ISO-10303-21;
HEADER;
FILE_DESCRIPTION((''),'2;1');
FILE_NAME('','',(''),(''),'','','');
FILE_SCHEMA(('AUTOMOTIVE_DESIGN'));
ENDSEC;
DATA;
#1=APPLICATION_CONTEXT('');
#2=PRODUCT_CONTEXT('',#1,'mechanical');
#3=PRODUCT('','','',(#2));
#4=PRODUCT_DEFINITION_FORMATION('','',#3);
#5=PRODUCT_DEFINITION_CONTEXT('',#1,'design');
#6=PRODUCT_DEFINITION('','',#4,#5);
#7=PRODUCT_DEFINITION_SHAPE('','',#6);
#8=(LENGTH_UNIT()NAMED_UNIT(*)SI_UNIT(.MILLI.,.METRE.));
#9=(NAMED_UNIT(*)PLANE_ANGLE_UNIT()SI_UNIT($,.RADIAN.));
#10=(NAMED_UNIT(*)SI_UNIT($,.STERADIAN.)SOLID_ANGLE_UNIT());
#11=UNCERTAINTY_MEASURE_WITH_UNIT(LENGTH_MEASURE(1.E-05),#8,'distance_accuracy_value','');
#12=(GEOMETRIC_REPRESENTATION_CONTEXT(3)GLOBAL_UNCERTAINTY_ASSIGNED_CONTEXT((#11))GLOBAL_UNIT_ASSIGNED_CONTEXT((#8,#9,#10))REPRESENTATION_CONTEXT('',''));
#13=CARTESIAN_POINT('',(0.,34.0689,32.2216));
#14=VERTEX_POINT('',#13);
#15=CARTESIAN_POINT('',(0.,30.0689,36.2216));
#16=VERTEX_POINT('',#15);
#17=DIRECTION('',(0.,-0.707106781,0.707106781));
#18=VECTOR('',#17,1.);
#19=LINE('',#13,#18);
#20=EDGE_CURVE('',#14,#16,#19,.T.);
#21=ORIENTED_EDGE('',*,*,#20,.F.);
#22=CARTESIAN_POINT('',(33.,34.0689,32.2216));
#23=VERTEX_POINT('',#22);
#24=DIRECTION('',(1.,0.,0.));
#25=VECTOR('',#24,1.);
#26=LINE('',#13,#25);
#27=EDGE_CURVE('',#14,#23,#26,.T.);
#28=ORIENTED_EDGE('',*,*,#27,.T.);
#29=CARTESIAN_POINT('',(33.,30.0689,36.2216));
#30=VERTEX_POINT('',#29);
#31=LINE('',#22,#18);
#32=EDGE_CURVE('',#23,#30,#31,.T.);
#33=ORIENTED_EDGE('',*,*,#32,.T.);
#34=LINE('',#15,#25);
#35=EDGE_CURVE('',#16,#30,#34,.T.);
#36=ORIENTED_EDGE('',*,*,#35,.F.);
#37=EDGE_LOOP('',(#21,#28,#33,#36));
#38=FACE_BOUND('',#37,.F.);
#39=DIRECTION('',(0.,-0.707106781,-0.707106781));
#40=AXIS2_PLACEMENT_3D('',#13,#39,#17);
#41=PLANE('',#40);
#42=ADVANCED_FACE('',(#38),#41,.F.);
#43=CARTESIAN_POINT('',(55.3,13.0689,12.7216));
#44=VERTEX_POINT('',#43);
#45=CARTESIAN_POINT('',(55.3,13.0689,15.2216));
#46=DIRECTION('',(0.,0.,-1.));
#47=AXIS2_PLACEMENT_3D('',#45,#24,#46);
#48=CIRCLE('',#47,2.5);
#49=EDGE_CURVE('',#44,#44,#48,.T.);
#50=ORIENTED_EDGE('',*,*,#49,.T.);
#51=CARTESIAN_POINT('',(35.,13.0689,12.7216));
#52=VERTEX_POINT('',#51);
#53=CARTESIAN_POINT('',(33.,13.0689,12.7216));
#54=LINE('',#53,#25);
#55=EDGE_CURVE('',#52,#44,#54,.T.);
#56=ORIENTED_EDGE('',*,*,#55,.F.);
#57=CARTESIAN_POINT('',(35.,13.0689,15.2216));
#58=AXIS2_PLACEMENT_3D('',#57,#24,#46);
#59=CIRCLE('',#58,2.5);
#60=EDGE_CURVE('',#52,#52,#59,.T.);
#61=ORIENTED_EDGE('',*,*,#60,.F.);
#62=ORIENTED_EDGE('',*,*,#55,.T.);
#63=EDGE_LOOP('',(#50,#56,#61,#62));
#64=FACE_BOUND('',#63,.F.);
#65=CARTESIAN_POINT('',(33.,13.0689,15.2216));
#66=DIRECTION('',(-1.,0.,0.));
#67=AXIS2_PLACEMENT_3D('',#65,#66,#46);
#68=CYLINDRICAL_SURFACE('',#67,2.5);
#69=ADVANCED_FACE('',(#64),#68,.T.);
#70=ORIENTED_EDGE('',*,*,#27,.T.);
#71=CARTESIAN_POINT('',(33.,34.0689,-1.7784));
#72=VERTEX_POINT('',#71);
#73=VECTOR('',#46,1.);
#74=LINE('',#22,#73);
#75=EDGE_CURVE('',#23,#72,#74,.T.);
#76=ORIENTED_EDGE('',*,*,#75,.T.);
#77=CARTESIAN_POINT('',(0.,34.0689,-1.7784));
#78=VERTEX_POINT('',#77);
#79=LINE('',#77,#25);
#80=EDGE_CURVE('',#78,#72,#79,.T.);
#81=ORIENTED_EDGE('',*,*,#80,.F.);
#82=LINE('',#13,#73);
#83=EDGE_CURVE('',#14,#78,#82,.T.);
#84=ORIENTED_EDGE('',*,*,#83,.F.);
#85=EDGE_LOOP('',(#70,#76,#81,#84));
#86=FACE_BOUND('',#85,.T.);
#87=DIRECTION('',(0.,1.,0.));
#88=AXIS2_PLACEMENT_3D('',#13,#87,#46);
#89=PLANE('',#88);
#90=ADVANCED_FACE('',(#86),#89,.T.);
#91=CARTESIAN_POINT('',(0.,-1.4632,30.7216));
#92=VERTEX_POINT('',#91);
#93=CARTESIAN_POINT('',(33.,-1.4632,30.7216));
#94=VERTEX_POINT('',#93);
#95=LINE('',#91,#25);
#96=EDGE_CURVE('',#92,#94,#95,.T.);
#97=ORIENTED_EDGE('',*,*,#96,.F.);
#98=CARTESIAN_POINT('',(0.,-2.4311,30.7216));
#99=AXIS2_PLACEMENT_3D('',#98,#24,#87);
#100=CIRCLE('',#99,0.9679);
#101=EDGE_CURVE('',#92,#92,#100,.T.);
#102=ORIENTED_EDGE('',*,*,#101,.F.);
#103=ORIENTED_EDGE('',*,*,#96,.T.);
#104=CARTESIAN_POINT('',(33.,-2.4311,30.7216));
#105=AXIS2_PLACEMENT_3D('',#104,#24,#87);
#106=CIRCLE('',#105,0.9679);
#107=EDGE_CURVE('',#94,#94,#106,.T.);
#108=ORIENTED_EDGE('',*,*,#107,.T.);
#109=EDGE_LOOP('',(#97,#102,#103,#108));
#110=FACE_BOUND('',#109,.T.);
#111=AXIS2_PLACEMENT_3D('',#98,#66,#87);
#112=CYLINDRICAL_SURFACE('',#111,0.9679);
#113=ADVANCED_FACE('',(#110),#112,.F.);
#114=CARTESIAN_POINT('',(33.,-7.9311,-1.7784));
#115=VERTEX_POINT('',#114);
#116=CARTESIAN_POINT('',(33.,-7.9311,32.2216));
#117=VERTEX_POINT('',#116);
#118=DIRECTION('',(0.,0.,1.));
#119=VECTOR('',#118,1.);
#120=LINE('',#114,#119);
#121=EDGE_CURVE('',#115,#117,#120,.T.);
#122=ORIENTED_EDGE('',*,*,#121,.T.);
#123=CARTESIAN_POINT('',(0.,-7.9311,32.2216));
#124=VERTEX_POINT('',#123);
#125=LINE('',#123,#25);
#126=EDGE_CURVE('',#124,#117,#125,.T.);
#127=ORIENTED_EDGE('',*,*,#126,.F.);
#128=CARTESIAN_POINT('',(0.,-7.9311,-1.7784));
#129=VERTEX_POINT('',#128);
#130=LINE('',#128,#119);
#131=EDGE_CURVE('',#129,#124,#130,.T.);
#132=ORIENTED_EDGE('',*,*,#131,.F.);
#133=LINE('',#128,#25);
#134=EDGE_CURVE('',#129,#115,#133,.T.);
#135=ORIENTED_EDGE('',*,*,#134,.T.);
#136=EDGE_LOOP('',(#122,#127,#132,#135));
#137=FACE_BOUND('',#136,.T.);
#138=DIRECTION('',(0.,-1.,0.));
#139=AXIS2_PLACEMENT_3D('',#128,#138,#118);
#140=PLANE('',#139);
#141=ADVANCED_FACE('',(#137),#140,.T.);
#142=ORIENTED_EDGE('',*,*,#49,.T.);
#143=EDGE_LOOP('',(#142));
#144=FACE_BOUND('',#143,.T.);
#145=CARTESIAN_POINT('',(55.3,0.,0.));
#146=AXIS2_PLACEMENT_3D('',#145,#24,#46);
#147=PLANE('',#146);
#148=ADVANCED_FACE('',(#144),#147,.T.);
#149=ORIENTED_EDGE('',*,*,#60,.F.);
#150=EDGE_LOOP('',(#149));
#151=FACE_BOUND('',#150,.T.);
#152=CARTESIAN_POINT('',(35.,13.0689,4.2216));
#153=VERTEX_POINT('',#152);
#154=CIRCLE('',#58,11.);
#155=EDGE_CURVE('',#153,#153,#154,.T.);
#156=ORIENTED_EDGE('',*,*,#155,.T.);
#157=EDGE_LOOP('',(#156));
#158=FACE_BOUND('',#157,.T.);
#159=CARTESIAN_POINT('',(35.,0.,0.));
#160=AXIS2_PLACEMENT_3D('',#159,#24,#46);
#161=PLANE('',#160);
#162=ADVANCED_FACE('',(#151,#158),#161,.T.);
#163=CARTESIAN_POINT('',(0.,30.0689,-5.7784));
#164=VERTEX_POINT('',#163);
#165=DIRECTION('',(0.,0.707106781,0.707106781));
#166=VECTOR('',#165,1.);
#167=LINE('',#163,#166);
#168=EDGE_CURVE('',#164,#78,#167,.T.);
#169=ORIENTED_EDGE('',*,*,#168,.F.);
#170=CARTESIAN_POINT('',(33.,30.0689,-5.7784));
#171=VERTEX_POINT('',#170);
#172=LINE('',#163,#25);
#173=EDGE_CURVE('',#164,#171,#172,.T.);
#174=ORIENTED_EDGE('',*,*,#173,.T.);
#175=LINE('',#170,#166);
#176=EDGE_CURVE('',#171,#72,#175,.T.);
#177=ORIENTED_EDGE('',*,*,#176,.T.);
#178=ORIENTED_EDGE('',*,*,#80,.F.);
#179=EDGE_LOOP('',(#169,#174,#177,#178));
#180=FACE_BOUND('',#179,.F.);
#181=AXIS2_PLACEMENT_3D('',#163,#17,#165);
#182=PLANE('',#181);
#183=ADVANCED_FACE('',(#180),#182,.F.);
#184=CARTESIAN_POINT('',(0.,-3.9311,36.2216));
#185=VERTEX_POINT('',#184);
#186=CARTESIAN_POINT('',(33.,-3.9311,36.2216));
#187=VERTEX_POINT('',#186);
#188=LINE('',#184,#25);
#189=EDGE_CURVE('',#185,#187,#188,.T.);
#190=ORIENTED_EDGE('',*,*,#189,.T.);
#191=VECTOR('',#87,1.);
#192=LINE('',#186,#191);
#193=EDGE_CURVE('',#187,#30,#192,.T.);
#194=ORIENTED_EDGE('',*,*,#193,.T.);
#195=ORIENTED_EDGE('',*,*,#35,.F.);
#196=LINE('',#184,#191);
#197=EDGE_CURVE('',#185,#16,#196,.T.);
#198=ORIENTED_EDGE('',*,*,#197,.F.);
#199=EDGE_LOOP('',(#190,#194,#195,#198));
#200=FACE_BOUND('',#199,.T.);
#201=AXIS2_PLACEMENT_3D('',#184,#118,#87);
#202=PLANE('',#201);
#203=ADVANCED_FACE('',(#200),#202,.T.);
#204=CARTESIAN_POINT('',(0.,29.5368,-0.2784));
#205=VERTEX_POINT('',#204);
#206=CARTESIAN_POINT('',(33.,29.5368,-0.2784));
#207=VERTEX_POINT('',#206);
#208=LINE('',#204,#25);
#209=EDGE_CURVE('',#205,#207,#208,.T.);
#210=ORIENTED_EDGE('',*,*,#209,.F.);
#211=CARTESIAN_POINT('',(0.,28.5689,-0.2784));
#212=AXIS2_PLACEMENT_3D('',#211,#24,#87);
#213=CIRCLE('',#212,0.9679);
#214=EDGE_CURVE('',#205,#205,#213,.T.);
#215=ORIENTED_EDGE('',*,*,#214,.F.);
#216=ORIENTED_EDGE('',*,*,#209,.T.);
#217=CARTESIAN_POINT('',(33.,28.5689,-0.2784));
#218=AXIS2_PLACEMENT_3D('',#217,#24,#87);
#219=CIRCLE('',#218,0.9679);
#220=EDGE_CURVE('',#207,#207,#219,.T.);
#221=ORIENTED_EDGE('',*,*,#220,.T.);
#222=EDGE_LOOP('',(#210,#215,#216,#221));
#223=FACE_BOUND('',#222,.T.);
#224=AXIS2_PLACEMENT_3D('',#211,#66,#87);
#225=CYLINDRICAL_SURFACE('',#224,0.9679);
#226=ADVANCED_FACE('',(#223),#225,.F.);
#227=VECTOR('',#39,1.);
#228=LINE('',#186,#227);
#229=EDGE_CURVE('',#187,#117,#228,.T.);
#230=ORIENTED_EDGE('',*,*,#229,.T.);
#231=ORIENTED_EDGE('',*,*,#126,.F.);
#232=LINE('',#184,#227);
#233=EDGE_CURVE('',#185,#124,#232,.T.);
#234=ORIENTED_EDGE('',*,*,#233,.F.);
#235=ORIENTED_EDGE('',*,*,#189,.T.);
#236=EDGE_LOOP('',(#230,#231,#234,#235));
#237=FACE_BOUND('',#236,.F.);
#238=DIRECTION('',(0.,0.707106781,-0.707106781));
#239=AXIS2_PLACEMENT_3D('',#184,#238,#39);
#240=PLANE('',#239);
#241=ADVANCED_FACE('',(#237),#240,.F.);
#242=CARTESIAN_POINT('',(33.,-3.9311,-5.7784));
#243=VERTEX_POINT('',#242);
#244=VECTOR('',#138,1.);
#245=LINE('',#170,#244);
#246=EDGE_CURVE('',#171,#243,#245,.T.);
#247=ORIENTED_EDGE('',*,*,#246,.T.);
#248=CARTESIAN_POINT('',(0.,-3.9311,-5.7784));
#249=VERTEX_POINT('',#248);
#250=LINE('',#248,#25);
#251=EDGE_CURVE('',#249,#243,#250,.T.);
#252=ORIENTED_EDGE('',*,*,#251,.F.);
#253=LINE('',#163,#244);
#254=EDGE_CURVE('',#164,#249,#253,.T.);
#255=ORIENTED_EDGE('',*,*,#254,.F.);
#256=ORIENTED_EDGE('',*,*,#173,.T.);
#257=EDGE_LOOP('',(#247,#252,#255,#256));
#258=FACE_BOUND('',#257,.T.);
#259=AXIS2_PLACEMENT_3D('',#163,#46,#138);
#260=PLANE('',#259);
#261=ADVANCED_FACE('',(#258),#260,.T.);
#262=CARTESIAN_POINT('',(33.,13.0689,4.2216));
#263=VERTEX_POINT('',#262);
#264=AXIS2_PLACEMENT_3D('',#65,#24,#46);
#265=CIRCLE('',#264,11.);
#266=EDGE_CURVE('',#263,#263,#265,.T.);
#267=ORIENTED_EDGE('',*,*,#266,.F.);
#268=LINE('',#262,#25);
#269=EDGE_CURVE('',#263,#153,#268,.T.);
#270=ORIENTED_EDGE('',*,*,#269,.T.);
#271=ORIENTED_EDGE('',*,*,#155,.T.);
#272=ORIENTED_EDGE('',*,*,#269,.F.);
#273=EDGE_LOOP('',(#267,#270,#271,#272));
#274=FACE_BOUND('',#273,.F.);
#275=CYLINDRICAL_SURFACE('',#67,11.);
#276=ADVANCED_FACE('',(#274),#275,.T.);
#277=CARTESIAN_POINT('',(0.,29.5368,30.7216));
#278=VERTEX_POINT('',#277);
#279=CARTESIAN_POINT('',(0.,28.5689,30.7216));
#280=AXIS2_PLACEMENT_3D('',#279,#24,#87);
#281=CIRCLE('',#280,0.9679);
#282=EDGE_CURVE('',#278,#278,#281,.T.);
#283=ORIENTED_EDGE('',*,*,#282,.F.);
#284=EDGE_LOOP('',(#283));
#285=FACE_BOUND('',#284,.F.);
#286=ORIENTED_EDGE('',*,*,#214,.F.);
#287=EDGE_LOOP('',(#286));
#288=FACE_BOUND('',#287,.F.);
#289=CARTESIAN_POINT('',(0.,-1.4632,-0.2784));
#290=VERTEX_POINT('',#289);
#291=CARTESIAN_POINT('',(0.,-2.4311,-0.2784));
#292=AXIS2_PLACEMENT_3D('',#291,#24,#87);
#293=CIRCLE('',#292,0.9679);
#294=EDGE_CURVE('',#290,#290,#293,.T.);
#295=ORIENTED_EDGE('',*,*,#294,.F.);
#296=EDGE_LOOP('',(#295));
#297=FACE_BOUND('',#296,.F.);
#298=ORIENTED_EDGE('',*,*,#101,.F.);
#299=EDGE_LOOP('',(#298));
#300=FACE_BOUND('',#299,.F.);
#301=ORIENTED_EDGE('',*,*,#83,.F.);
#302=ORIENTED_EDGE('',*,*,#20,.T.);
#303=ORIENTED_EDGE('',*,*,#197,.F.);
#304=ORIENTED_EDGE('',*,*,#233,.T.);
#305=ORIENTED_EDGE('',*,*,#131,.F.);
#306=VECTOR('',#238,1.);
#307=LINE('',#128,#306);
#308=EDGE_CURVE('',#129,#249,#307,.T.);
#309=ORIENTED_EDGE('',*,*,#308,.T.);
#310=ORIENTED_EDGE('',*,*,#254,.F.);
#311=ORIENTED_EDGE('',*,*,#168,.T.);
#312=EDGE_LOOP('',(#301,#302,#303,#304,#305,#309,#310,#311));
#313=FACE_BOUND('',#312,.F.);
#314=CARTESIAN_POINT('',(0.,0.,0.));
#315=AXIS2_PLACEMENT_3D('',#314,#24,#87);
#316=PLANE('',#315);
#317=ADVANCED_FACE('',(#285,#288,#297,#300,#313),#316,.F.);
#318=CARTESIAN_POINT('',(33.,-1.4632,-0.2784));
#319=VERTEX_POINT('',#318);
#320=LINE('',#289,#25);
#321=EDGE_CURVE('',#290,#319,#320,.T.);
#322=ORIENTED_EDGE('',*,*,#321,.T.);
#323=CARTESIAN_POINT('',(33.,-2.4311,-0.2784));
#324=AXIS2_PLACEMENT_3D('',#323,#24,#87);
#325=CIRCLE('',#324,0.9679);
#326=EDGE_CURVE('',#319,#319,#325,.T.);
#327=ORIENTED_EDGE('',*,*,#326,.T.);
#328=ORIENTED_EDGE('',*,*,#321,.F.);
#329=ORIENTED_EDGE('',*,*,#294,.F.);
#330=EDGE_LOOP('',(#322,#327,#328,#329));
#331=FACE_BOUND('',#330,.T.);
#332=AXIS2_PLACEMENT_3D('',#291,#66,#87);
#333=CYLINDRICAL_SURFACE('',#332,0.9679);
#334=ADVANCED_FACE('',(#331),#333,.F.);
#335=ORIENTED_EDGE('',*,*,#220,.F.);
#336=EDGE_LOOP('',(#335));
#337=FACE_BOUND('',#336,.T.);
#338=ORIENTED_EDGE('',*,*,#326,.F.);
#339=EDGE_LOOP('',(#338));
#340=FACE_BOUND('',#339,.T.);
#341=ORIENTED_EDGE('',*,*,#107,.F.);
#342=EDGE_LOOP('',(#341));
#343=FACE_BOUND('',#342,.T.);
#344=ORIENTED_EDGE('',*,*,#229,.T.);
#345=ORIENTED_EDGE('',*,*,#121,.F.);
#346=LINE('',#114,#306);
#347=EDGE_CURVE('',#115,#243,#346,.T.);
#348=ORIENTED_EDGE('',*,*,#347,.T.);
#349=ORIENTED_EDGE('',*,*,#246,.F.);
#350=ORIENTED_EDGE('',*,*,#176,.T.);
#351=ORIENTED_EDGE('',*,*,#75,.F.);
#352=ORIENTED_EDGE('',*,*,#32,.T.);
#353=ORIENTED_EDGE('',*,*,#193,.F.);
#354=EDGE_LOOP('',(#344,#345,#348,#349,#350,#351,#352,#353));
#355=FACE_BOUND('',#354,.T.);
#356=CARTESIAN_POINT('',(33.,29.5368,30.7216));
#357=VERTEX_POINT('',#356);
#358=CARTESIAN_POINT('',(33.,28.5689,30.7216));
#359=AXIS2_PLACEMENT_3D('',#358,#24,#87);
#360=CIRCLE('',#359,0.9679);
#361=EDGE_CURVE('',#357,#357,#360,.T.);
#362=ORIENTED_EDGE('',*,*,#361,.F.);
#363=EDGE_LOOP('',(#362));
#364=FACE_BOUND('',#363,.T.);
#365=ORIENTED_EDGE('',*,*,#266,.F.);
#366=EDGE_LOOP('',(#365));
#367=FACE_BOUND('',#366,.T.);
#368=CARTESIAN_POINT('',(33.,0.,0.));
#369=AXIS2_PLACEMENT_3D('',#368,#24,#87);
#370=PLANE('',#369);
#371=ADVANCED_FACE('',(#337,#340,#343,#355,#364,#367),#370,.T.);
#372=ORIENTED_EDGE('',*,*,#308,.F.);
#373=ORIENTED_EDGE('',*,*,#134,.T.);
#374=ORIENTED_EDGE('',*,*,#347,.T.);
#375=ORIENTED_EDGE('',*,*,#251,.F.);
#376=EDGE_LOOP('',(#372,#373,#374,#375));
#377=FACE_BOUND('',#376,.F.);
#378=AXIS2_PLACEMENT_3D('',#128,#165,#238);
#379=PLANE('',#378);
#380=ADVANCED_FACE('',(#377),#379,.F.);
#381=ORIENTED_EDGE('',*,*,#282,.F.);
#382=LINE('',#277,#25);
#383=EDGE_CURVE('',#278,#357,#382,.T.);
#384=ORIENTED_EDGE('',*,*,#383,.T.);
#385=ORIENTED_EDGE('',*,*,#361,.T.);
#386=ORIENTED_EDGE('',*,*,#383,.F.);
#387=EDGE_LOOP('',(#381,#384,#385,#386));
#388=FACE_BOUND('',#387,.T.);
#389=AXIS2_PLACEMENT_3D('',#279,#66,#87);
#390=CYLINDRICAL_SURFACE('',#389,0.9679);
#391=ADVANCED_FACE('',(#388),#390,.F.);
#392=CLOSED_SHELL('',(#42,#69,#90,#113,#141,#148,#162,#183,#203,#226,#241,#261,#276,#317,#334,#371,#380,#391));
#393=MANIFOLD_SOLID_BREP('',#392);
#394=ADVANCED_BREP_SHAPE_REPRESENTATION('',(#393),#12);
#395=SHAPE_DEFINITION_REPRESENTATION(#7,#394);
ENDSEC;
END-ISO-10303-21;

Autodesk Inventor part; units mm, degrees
ref_plane "YZ Plane" through (0, 0, 0) normal (1, 0, 0) x (0, 1, 0)
ref_plane "XZ Plane" through (0, 0, 0) normal (0, 1, 0) x (-1, 0, 0)
ref_plane "XY Plane" through (0, 0, 0) normal (0, 0, 1) x (1, 0, 0)
sketch "Sketch1" plane through (0, 0, 0) normal (1, 0, 0) x (0, 1, 0)
  circle A0 centre (28.5689, 30.7216) radius 0.9679
  circle A1 centre (28.5689, -0.2784) radius 0.9679
  circle A2 centre (-2.4311, 30.7216) radius 0.9679
  circle A3 centre (-2.4311, -0.2784) radius 0.9679
  line L0 (-3.9311, 36.2216) -> (30.0689, 36.2216)
  line L1 (34.0689, 32.2216) -> (34.0689, -1.7784)
  line L2 (30.0689, -5.7784) -> (-3.9311, -5.7784)
  line L3 (-7.9311, -1.7784) -> (-7.9311, 32.2216)
  line L4 (-3.9311, 36.2216) -> (-7.9311, 32.2216)
  line L5 (-7.9311, -1.7784) -> (-3.9311, -5.7784)
  line L6 (30.0689, -5.7784) -> (34.0689, -1.7784)
  line L7 (34.0689, 32.2216) -> (30.0689, 36.2216)
  point P0 (-7.9311, 36.2216)
  point P1 (34.0689, -5.7784)
  point P2 (34.0689, 36.2216)
  point P3 (-7.9311, -5.7784)
  dimension "d5" = 31
  dimension "d6" = 31
  dimension "d8" = 31
  dimension "d16" = 42
  dimension "d17" = 42
  dimension "d18" = 5.5
  dimension "d19" = 5.5
  dimension "d21" = 4
  dimension "d22" = 4
  dimension "d23" = 4
  dimension "d24" = 4
  dimension "d25" = 4
  dimension "d26" = 4
  dimension "d27" = 4
  dimension "d28" = 4
extrude "Extrusion1" add sketch "Sketch1" along normal blind 33
sketch "Sketch2" plane through (33, 0, 0) normal (1, 0, 0) x (0, 0, -1)
  circle A0 centre (0.2784, -2.4311) radius 0.9679 projected
  circle A1 centre (-30.7216, -2.4311) radius 0.9679 projected
  circle A2 centre (0.2784, 28.5689) radius 0.9679 projected
  circle A3 centre (-30.7216, 28.5689) radius 0.9679 projected
  line L0 (-36.2216, -3.9311) -> (-32.2216, -7.9311) projected
  line L1 (-32.2216, -7.9311) -> (1.7784, -7.9311) projected
  line L2 (1.7784, -7.9311) -> (5.7784, -3.9311) projected
  line L3 (5.7784, -3.9311) -> (5.7784, 30.0689) projected
  line L4 (5.7784, 30.0689) -> (1.7784, 34.0689) projected
  line L5 (1.7784, 34.0689) -> (-32.2216, 34.0689) projected
  line L6 (-32.2216, 34.0689) -> (-36.2216, 30.0689) projected
  line L7 (-36.2216, 30.0689) -> (-36.2216, -3.9311) projected
  circle A4 centre (-15.2216, 13.0689) radius 2.5
  point P0 (0, 0)
  dimension "d29" = 5
extrude "Extrusion2" add sketch "Sketch2" along normal blind 22.3 contours A4
sketch "Sketch3" plane through (33, 0, 0) normal (1, 0, 0) x (0, 0, -1)
  circle A0 centre (-15.2216, 13.0689) radius 2.5 projected
  circle A1 centre (-15.2216, 13.0689) radius 11
  point P0 (0, 0)
  dimension "d32" = 22
extrude "Extrusion3" add sketch "Sketch3" along normal blind 2
equation "\"d22\" = d21"
equation "\"d23\" = d21"
equation "\"d24\" = d23"
equation "\"d25\" = d21"
equation "\"d26\" = d25"
equation "\"d27\" = d21"
equation "\"d28\" = d27"
properties part number "motor mount"
